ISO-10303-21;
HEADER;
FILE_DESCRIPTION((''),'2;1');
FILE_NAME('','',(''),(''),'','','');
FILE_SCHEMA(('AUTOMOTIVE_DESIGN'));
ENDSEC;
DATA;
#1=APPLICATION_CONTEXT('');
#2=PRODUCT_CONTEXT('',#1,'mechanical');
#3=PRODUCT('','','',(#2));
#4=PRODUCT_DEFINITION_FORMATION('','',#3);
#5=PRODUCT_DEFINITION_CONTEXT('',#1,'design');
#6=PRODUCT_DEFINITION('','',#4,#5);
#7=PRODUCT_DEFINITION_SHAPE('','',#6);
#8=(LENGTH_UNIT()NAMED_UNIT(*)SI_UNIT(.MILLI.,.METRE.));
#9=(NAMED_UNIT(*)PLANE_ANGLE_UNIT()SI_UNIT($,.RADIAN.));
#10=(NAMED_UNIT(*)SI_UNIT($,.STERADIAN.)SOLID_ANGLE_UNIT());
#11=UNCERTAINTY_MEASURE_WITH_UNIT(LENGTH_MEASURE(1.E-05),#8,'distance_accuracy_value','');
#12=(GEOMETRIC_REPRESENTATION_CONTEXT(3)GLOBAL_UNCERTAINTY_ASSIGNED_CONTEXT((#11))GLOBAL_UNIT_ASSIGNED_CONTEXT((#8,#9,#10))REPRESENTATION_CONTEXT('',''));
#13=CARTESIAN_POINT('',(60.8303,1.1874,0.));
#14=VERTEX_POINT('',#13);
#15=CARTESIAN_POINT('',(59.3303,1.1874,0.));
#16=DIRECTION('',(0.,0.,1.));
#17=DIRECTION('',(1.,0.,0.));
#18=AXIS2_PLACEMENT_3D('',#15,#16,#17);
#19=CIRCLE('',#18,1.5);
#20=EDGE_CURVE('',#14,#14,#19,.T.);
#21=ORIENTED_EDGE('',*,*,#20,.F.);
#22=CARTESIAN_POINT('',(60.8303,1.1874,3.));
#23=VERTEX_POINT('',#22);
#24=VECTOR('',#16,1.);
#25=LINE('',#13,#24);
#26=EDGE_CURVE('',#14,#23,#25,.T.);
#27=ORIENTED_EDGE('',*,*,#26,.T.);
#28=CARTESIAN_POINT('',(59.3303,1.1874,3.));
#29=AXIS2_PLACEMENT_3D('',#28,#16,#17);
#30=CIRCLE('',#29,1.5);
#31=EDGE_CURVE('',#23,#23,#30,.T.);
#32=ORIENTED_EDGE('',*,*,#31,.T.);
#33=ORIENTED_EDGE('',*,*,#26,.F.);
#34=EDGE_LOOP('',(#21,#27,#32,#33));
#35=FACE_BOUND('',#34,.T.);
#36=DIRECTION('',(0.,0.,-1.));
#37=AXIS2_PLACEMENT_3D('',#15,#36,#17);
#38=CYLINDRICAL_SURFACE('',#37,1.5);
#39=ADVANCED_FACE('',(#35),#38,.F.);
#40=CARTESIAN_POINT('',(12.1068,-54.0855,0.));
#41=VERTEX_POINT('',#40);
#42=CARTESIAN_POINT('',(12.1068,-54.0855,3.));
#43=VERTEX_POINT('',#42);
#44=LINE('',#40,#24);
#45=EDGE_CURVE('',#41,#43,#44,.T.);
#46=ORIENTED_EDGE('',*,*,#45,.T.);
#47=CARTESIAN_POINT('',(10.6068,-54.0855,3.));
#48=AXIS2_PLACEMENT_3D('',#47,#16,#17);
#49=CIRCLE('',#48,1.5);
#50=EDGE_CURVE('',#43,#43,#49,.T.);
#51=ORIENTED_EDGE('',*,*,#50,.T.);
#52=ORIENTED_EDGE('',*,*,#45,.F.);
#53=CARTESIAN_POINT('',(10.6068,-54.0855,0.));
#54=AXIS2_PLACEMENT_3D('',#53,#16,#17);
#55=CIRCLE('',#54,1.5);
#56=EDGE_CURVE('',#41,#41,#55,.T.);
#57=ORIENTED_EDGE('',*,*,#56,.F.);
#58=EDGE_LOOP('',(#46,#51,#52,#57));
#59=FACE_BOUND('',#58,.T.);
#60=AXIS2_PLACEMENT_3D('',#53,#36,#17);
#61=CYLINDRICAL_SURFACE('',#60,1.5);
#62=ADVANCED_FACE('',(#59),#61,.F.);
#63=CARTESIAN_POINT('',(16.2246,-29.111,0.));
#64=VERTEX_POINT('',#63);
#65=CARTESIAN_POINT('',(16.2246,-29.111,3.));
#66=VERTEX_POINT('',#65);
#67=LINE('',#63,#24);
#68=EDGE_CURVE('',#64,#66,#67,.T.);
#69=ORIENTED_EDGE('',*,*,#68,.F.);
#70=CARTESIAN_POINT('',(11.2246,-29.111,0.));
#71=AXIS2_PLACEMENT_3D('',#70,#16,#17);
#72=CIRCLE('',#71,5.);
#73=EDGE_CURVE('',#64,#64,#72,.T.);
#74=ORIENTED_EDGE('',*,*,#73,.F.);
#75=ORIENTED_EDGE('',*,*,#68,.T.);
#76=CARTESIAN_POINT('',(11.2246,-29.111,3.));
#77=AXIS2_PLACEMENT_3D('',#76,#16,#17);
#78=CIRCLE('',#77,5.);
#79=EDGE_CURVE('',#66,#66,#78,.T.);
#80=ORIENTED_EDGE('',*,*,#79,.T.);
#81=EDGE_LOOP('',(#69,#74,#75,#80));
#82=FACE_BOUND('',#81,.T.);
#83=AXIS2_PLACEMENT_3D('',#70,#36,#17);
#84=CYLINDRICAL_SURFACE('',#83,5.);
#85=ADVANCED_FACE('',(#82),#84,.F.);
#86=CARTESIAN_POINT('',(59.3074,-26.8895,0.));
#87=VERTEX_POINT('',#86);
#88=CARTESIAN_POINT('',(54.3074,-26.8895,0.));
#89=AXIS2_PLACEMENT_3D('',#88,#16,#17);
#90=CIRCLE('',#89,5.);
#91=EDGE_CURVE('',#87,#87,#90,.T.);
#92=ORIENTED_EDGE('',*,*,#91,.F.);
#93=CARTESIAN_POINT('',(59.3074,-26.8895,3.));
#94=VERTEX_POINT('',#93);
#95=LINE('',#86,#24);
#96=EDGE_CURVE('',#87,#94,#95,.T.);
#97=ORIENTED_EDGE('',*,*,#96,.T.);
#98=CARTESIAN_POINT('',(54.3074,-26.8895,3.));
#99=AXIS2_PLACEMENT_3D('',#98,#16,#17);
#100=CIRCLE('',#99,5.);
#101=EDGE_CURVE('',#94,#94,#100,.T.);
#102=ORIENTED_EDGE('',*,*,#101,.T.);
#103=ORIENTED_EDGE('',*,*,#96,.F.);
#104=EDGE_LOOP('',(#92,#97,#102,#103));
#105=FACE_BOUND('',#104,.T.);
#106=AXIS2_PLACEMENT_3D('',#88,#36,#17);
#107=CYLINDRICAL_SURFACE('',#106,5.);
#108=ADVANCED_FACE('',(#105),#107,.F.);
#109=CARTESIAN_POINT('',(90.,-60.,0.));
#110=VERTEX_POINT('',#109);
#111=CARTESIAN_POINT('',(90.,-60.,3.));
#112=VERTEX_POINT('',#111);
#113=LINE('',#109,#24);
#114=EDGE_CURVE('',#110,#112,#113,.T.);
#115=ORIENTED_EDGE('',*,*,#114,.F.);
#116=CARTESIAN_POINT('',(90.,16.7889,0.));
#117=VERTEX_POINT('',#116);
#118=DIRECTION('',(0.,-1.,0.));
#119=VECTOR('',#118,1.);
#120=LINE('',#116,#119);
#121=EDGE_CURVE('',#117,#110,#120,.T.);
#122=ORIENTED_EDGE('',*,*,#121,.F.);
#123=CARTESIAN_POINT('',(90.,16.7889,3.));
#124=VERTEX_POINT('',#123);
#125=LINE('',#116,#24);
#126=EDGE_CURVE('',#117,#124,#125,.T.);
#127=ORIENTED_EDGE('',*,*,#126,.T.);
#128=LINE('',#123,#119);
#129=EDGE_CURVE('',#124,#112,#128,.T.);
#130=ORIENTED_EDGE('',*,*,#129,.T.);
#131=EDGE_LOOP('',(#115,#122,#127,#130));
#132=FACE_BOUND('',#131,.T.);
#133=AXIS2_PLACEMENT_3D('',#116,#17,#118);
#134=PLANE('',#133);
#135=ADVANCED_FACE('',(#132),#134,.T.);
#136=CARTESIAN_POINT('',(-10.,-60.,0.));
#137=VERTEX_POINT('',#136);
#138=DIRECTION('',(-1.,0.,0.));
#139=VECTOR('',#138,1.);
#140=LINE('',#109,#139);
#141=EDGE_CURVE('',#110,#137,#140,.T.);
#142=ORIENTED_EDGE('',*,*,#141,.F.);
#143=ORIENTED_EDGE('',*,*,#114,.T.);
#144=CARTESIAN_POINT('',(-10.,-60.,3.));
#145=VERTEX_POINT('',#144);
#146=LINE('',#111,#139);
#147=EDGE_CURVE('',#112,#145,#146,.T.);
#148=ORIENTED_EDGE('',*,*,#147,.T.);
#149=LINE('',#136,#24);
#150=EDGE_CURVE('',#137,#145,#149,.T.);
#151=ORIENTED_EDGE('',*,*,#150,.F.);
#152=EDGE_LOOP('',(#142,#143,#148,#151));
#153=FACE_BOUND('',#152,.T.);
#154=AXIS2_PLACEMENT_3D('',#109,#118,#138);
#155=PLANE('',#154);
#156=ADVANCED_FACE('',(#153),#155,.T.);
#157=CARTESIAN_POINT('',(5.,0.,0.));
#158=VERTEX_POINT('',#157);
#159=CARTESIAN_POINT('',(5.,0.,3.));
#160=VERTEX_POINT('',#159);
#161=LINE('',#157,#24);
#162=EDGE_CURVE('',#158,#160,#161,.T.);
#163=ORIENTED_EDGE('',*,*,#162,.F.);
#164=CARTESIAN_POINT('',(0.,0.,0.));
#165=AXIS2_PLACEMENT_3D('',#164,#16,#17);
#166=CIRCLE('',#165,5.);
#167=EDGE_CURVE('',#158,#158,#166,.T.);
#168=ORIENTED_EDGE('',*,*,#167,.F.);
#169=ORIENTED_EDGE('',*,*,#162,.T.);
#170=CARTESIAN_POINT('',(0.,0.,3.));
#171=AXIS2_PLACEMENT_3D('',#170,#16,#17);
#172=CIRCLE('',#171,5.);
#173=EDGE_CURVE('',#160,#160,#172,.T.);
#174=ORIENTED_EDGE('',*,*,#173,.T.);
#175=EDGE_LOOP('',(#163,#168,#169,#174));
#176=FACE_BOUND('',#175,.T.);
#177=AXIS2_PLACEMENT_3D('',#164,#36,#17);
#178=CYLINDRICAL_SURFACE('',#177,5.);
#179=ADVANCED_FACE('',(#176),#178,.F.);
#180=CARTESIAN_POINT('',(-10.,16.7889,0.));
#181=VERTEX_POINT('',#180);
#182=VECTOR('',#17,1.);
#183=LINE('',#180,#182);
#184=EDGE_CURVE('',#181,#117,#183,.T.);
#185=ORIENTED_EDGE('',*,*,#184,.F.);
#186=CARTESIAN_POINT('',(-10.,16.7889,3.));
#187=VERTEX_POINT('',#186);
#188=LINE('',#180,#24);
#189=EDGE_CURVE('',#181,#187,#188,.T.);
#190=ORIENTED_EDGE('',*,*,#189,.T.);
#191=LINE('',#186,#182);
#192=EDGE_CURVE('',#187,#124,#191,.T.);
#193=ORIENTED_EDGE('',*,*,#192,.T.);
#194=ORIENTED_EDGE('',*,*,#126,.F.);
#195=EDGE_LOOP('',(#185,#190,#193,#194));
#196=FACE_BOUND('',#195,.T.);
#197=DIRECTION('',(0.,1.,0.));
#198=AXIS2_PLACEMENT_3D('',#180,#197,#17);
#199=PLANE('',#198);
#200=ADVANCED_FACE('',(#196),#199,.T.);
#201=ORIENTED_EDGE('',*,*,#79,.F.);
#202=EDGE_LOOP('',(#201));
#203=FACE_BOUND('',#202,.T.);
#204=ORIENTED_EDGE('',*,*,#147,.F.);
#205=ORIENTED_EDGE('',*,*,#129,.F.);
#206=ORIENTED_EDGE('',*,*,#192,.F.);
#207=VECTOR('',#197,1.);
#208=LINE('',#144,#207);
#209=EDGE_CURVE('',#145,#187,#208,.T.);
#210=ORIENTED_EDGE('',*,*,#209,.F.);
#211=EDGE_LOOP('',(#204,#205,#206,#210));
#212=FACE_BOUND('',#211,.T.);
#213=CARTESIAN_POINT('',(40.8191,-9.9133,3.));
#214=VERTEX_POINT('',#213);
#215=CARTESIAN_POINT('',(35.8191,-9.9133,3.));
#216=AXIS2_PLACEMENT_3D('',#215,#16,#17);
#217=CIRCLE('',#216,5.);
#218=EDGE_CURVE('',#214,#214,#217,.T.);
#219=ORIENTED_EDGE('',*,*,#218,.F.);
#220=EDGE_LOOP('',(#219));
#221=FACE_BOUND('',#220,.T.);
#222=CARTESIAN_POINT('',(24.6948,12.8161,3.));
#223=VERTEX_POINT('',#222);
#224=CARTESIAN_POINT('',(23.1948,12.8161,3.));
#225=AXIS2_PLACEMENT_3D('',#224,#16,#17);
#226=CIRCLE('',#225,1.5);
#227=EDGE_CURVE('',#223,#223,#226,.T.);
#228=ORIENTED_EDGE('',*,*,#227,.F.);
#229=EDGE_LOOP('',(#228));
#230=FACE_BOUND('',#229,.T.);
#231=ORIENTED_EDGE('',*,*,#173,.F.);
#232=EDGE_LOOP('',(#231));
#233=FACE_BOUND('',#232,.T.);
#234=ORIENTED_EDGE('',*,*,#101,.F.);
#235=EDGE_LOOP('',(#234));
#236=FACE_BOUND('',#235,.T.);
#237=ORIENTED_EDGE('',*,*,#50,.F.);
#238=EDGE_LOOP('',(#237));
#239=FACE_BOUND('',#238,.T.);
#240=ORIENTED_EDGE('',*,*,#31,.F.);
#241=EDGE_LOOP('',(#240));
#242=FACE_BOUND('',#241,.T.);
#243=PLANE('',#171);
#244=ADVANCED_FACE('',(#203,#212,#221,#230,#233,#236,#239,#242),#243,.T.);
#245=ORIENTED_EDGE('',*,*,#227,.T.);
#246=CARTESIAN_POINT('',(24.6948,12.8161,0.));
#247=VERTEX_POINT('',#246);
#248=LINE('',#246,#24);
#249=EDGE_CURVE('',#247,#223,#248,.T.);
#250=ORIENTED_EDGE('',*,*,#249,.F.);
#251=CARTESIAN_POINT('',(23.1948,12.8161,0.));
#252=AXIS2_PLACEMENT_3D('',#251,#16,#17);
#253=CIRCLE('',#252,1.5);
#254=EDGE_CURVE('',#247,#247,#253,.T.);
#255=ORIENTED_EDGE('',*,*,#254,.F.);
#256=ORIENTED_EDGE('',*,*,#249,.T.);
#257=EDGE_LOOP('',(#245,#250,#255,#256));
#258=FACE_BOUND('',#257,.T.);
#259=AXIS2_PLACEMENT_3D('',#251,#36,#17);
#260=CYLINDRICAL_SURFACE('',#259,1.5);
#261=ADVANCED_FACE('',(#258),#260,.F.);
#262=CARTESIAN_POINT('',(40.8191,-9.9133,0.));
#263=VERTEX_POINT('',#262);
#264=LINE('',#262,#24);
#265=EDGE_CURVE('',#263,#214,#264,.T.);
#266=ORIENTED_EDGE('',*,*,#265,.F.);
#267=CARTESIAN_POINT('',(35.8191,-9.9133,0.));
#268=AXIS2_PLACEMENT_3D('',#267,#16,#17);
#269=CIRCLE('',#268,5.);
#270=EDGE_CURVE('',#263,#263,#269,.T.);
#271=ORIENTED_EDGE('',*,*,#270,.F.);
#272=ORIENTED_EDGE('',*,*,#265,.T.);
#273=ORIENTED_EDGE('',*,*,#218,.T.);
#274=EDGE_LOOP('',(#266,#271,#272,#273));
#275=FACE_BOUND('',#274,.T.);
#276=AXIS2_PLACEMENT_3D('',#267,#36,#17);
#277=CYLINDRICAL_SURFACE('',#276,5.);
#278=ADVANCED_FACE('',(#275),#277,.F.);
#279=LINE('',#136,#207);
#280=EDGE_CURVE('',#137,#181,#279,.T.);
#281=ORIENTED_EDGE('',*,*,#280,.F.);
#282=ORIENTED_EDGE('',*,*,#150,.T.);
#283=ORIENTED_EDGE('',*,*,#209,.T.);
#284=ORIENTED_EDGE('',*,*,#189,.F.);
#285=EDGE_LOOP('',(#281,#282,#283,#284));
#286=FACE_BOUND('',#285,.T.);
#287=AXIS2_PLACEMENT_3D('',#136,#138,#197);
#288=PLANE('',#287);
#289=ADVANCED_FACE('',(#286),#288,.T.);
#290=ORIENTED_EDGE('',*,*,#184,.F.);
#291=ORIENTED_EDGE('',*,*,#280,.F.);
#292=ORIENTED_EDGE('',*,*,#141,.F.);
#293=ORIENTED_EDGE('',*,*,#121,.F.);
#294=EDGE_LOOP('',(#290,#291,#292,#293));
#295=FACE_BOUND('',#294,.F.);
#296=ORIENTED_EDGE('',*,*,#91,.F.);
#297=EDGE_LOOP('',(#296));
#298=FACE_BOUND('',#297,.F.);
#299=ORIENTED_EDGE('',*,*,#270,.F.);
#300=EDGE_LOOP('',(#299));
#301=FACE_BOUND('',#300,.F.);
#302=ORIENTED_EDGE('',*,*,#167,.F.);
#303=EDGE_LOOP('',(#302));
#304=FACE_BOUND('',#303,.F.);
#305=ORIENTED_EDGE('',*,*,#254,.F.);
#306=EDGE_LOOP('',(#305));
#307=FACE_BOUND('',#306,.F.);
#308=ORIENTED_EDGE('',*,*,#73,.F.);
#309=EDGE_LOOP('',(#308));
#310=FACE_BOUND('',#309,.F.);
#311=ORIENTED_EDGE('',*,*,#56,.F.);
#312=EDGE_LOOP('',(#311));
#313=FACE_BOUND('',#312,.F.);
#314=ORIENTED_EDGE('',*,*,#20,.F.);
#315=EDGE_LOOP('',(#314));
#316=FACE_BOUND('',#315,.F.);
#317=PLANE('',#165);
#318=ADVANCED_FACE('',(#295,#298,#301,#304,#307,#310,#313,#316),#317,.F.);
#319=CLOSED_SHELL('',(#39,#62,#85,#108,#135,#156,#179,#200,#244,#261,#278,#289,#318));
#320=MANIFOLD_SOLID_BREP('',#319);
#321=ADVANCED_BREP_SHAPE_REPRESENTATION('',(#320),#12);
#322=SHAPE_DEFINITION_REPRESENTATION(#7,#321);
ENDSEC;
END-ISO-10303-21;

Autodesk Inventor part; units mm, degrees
ref_plane "YZ Plane" through (0, 0, 0) normal (1, 0, 0) x (0, 1, 0)
ref_plane "XZ Plane" through (0, 0, 0) normal (0, 1, 0) x (-1, 0, 0)
ref_plane "XY Plane" through (0, 0, 0) normal (0, 0, 1) x (1, 0, 0)
sketch "ギア線図" plane through (0, 0, 0) normal (0, 0, 1) x (1, 0, 0)
  circle A0 centre (11.2246, -29.111) radius 11.1
  circle A1 centre (54.3074, -26.8895) radius 20.05
  circle A2 centre (54.3074, -26.8895) radius 4.55
  circle A3 centre (35.8191, -9.9133) radius 11.1
  circle A4 centre (39.3074, -43.38) radius 2.05
  circle A5 centre (69.3074, -43.38) radius 2.05
  circle A6 centre (72.141, -13.5141) radius 2.05
  circle A7 centre (39.3074, -43.38) radius 15
  circle A8 centre (69.3074, -43.38) radius 15
  circle A9 centre (72.141, -13.5141) radius 15
  circle A10 centre (54.3074, -26.8895) radius 5.5 construction
  circle A11 centre (11.2246, -29.111) radius 13 construction
  circle A12 centre (54.3074, -26.8895) radius 20.5 construction
  circle A13 centre (35.8191, -9.9133) radius 20.55
  circle A14 centre (35.8191, -9.9133) radius 21.5 construction
  circle A15 centre (35.8191, -9.9133) radius 13 construction
  circle A16 centre (39.3074, -43.38) radius 2.5 construction
  circle A17 centre (69.3074, -43.38) radius 2.5 construction
  circle A18 centre (72.141, -13.5141) radius 2.5 construction
  circle A19 centre (11.2246, -29.111) radius 20.1
  circle A20 centre (11.2246, -29.111) radius 22 construction
  line L0 (39.3074, -43.38) -> (69.3074, -43.38)
  circle A21 centre (0, 0) radius 20.1
  circle A22 centre (0, 0) radius 22 construction
  circle A23 centre (39.3074, -43.38) radius 9.5 construction
  circle A24 centre (69.3074, -43.38) radius 9.5 construction
  circle A25 centre (72.141, -13.5141) radius 9.5 construction
  point P0 (58.2233, -20.0465)
  point P1 (42.0436, -35)
  point P2 (21.5995, 15.2696)
  point P3 (38.2329, 5.9161)
  point P4 (24.1755, 8.4229)
  point P5 (21.6039, 15.1272)
  point P6 (23.3458, 16.3469)
  point P7 (23.3177, 16.3886)
  dimension "d7" = 22.2
  dimension "d8" = 40.1
  dimension "d9" = 9.1
  dimension "d11" = 22.2
  dimension "d12" = 4.1
  dimension "d13" = 4.1
  dimension "d14" = 4.1
  dimension "d15" = 30
  dimension "d16" = 30
  dimension "d17" = 30
  dimension "d18" = 11
  dimension "d21" = 26
  dimension "d29" = 41
  dimension "d39" = 22.2921
  dimension "d40" = 22.2921
  dimension "d41" = 22.2921
  dimension "d43" = 41.1
  dimension "d44" = 43
  dimension "d45" = 26
  dimension "d46" = 5
  dimension "d47" = 5
  dimension "d48" = 5
  dimension "d49" = 40.2
  dimension "d50" = 44
  dimension "d53" = 40.2
  dimension "d55" = 44
  dimension "d58" = 19
  dimension "d59" = 19
  dimension "d60" = 19
sketch "スケッチ3" plane through (0, 0, 0) normal (0, 0, 1) x (1, 0, 0)
  line L0 (-10, 16.7889) -> (90, 16.7889)
  line L1 (90, 16.7889) -> (90, -60)
  line L2 (90, -60) -> (-10, -60)
  line L3 (-10, -60) -> (-10, 16.7889)
  circle A0 centre (0, 0) radius 5
  circle A1 centre (11.2246, -29.111) radius 5
  circle A2 centre (35.8191, -9.9133) radius 5
  circle A3 centre (54.3074, -26.8895) radius 5
  circle A4 centre (10.6068, -54.0855) radius 1.5
  circle A5 centre (23.1948, 12.8161) radius 1.5
  circle A6 centre (59.3303, 1.1874) radius 1.5
  circle A7 centre (54.3074, -26.8895) radius 5
  circle A8 centre (35.8191, -9.9133) radius 5
  dimension "d62" = 10
  dimension "d63" = 10
  dimension "d64" = 10
  dimension "d65" = 10
extrude "押し出し1" add sketch "スケッチ3" along normal blind 3
equation "\"d40\" = d39"
equation "\"d41\" = d40"
properties part number "アームフレーム2" material "アルミニウム 2014-T4"
